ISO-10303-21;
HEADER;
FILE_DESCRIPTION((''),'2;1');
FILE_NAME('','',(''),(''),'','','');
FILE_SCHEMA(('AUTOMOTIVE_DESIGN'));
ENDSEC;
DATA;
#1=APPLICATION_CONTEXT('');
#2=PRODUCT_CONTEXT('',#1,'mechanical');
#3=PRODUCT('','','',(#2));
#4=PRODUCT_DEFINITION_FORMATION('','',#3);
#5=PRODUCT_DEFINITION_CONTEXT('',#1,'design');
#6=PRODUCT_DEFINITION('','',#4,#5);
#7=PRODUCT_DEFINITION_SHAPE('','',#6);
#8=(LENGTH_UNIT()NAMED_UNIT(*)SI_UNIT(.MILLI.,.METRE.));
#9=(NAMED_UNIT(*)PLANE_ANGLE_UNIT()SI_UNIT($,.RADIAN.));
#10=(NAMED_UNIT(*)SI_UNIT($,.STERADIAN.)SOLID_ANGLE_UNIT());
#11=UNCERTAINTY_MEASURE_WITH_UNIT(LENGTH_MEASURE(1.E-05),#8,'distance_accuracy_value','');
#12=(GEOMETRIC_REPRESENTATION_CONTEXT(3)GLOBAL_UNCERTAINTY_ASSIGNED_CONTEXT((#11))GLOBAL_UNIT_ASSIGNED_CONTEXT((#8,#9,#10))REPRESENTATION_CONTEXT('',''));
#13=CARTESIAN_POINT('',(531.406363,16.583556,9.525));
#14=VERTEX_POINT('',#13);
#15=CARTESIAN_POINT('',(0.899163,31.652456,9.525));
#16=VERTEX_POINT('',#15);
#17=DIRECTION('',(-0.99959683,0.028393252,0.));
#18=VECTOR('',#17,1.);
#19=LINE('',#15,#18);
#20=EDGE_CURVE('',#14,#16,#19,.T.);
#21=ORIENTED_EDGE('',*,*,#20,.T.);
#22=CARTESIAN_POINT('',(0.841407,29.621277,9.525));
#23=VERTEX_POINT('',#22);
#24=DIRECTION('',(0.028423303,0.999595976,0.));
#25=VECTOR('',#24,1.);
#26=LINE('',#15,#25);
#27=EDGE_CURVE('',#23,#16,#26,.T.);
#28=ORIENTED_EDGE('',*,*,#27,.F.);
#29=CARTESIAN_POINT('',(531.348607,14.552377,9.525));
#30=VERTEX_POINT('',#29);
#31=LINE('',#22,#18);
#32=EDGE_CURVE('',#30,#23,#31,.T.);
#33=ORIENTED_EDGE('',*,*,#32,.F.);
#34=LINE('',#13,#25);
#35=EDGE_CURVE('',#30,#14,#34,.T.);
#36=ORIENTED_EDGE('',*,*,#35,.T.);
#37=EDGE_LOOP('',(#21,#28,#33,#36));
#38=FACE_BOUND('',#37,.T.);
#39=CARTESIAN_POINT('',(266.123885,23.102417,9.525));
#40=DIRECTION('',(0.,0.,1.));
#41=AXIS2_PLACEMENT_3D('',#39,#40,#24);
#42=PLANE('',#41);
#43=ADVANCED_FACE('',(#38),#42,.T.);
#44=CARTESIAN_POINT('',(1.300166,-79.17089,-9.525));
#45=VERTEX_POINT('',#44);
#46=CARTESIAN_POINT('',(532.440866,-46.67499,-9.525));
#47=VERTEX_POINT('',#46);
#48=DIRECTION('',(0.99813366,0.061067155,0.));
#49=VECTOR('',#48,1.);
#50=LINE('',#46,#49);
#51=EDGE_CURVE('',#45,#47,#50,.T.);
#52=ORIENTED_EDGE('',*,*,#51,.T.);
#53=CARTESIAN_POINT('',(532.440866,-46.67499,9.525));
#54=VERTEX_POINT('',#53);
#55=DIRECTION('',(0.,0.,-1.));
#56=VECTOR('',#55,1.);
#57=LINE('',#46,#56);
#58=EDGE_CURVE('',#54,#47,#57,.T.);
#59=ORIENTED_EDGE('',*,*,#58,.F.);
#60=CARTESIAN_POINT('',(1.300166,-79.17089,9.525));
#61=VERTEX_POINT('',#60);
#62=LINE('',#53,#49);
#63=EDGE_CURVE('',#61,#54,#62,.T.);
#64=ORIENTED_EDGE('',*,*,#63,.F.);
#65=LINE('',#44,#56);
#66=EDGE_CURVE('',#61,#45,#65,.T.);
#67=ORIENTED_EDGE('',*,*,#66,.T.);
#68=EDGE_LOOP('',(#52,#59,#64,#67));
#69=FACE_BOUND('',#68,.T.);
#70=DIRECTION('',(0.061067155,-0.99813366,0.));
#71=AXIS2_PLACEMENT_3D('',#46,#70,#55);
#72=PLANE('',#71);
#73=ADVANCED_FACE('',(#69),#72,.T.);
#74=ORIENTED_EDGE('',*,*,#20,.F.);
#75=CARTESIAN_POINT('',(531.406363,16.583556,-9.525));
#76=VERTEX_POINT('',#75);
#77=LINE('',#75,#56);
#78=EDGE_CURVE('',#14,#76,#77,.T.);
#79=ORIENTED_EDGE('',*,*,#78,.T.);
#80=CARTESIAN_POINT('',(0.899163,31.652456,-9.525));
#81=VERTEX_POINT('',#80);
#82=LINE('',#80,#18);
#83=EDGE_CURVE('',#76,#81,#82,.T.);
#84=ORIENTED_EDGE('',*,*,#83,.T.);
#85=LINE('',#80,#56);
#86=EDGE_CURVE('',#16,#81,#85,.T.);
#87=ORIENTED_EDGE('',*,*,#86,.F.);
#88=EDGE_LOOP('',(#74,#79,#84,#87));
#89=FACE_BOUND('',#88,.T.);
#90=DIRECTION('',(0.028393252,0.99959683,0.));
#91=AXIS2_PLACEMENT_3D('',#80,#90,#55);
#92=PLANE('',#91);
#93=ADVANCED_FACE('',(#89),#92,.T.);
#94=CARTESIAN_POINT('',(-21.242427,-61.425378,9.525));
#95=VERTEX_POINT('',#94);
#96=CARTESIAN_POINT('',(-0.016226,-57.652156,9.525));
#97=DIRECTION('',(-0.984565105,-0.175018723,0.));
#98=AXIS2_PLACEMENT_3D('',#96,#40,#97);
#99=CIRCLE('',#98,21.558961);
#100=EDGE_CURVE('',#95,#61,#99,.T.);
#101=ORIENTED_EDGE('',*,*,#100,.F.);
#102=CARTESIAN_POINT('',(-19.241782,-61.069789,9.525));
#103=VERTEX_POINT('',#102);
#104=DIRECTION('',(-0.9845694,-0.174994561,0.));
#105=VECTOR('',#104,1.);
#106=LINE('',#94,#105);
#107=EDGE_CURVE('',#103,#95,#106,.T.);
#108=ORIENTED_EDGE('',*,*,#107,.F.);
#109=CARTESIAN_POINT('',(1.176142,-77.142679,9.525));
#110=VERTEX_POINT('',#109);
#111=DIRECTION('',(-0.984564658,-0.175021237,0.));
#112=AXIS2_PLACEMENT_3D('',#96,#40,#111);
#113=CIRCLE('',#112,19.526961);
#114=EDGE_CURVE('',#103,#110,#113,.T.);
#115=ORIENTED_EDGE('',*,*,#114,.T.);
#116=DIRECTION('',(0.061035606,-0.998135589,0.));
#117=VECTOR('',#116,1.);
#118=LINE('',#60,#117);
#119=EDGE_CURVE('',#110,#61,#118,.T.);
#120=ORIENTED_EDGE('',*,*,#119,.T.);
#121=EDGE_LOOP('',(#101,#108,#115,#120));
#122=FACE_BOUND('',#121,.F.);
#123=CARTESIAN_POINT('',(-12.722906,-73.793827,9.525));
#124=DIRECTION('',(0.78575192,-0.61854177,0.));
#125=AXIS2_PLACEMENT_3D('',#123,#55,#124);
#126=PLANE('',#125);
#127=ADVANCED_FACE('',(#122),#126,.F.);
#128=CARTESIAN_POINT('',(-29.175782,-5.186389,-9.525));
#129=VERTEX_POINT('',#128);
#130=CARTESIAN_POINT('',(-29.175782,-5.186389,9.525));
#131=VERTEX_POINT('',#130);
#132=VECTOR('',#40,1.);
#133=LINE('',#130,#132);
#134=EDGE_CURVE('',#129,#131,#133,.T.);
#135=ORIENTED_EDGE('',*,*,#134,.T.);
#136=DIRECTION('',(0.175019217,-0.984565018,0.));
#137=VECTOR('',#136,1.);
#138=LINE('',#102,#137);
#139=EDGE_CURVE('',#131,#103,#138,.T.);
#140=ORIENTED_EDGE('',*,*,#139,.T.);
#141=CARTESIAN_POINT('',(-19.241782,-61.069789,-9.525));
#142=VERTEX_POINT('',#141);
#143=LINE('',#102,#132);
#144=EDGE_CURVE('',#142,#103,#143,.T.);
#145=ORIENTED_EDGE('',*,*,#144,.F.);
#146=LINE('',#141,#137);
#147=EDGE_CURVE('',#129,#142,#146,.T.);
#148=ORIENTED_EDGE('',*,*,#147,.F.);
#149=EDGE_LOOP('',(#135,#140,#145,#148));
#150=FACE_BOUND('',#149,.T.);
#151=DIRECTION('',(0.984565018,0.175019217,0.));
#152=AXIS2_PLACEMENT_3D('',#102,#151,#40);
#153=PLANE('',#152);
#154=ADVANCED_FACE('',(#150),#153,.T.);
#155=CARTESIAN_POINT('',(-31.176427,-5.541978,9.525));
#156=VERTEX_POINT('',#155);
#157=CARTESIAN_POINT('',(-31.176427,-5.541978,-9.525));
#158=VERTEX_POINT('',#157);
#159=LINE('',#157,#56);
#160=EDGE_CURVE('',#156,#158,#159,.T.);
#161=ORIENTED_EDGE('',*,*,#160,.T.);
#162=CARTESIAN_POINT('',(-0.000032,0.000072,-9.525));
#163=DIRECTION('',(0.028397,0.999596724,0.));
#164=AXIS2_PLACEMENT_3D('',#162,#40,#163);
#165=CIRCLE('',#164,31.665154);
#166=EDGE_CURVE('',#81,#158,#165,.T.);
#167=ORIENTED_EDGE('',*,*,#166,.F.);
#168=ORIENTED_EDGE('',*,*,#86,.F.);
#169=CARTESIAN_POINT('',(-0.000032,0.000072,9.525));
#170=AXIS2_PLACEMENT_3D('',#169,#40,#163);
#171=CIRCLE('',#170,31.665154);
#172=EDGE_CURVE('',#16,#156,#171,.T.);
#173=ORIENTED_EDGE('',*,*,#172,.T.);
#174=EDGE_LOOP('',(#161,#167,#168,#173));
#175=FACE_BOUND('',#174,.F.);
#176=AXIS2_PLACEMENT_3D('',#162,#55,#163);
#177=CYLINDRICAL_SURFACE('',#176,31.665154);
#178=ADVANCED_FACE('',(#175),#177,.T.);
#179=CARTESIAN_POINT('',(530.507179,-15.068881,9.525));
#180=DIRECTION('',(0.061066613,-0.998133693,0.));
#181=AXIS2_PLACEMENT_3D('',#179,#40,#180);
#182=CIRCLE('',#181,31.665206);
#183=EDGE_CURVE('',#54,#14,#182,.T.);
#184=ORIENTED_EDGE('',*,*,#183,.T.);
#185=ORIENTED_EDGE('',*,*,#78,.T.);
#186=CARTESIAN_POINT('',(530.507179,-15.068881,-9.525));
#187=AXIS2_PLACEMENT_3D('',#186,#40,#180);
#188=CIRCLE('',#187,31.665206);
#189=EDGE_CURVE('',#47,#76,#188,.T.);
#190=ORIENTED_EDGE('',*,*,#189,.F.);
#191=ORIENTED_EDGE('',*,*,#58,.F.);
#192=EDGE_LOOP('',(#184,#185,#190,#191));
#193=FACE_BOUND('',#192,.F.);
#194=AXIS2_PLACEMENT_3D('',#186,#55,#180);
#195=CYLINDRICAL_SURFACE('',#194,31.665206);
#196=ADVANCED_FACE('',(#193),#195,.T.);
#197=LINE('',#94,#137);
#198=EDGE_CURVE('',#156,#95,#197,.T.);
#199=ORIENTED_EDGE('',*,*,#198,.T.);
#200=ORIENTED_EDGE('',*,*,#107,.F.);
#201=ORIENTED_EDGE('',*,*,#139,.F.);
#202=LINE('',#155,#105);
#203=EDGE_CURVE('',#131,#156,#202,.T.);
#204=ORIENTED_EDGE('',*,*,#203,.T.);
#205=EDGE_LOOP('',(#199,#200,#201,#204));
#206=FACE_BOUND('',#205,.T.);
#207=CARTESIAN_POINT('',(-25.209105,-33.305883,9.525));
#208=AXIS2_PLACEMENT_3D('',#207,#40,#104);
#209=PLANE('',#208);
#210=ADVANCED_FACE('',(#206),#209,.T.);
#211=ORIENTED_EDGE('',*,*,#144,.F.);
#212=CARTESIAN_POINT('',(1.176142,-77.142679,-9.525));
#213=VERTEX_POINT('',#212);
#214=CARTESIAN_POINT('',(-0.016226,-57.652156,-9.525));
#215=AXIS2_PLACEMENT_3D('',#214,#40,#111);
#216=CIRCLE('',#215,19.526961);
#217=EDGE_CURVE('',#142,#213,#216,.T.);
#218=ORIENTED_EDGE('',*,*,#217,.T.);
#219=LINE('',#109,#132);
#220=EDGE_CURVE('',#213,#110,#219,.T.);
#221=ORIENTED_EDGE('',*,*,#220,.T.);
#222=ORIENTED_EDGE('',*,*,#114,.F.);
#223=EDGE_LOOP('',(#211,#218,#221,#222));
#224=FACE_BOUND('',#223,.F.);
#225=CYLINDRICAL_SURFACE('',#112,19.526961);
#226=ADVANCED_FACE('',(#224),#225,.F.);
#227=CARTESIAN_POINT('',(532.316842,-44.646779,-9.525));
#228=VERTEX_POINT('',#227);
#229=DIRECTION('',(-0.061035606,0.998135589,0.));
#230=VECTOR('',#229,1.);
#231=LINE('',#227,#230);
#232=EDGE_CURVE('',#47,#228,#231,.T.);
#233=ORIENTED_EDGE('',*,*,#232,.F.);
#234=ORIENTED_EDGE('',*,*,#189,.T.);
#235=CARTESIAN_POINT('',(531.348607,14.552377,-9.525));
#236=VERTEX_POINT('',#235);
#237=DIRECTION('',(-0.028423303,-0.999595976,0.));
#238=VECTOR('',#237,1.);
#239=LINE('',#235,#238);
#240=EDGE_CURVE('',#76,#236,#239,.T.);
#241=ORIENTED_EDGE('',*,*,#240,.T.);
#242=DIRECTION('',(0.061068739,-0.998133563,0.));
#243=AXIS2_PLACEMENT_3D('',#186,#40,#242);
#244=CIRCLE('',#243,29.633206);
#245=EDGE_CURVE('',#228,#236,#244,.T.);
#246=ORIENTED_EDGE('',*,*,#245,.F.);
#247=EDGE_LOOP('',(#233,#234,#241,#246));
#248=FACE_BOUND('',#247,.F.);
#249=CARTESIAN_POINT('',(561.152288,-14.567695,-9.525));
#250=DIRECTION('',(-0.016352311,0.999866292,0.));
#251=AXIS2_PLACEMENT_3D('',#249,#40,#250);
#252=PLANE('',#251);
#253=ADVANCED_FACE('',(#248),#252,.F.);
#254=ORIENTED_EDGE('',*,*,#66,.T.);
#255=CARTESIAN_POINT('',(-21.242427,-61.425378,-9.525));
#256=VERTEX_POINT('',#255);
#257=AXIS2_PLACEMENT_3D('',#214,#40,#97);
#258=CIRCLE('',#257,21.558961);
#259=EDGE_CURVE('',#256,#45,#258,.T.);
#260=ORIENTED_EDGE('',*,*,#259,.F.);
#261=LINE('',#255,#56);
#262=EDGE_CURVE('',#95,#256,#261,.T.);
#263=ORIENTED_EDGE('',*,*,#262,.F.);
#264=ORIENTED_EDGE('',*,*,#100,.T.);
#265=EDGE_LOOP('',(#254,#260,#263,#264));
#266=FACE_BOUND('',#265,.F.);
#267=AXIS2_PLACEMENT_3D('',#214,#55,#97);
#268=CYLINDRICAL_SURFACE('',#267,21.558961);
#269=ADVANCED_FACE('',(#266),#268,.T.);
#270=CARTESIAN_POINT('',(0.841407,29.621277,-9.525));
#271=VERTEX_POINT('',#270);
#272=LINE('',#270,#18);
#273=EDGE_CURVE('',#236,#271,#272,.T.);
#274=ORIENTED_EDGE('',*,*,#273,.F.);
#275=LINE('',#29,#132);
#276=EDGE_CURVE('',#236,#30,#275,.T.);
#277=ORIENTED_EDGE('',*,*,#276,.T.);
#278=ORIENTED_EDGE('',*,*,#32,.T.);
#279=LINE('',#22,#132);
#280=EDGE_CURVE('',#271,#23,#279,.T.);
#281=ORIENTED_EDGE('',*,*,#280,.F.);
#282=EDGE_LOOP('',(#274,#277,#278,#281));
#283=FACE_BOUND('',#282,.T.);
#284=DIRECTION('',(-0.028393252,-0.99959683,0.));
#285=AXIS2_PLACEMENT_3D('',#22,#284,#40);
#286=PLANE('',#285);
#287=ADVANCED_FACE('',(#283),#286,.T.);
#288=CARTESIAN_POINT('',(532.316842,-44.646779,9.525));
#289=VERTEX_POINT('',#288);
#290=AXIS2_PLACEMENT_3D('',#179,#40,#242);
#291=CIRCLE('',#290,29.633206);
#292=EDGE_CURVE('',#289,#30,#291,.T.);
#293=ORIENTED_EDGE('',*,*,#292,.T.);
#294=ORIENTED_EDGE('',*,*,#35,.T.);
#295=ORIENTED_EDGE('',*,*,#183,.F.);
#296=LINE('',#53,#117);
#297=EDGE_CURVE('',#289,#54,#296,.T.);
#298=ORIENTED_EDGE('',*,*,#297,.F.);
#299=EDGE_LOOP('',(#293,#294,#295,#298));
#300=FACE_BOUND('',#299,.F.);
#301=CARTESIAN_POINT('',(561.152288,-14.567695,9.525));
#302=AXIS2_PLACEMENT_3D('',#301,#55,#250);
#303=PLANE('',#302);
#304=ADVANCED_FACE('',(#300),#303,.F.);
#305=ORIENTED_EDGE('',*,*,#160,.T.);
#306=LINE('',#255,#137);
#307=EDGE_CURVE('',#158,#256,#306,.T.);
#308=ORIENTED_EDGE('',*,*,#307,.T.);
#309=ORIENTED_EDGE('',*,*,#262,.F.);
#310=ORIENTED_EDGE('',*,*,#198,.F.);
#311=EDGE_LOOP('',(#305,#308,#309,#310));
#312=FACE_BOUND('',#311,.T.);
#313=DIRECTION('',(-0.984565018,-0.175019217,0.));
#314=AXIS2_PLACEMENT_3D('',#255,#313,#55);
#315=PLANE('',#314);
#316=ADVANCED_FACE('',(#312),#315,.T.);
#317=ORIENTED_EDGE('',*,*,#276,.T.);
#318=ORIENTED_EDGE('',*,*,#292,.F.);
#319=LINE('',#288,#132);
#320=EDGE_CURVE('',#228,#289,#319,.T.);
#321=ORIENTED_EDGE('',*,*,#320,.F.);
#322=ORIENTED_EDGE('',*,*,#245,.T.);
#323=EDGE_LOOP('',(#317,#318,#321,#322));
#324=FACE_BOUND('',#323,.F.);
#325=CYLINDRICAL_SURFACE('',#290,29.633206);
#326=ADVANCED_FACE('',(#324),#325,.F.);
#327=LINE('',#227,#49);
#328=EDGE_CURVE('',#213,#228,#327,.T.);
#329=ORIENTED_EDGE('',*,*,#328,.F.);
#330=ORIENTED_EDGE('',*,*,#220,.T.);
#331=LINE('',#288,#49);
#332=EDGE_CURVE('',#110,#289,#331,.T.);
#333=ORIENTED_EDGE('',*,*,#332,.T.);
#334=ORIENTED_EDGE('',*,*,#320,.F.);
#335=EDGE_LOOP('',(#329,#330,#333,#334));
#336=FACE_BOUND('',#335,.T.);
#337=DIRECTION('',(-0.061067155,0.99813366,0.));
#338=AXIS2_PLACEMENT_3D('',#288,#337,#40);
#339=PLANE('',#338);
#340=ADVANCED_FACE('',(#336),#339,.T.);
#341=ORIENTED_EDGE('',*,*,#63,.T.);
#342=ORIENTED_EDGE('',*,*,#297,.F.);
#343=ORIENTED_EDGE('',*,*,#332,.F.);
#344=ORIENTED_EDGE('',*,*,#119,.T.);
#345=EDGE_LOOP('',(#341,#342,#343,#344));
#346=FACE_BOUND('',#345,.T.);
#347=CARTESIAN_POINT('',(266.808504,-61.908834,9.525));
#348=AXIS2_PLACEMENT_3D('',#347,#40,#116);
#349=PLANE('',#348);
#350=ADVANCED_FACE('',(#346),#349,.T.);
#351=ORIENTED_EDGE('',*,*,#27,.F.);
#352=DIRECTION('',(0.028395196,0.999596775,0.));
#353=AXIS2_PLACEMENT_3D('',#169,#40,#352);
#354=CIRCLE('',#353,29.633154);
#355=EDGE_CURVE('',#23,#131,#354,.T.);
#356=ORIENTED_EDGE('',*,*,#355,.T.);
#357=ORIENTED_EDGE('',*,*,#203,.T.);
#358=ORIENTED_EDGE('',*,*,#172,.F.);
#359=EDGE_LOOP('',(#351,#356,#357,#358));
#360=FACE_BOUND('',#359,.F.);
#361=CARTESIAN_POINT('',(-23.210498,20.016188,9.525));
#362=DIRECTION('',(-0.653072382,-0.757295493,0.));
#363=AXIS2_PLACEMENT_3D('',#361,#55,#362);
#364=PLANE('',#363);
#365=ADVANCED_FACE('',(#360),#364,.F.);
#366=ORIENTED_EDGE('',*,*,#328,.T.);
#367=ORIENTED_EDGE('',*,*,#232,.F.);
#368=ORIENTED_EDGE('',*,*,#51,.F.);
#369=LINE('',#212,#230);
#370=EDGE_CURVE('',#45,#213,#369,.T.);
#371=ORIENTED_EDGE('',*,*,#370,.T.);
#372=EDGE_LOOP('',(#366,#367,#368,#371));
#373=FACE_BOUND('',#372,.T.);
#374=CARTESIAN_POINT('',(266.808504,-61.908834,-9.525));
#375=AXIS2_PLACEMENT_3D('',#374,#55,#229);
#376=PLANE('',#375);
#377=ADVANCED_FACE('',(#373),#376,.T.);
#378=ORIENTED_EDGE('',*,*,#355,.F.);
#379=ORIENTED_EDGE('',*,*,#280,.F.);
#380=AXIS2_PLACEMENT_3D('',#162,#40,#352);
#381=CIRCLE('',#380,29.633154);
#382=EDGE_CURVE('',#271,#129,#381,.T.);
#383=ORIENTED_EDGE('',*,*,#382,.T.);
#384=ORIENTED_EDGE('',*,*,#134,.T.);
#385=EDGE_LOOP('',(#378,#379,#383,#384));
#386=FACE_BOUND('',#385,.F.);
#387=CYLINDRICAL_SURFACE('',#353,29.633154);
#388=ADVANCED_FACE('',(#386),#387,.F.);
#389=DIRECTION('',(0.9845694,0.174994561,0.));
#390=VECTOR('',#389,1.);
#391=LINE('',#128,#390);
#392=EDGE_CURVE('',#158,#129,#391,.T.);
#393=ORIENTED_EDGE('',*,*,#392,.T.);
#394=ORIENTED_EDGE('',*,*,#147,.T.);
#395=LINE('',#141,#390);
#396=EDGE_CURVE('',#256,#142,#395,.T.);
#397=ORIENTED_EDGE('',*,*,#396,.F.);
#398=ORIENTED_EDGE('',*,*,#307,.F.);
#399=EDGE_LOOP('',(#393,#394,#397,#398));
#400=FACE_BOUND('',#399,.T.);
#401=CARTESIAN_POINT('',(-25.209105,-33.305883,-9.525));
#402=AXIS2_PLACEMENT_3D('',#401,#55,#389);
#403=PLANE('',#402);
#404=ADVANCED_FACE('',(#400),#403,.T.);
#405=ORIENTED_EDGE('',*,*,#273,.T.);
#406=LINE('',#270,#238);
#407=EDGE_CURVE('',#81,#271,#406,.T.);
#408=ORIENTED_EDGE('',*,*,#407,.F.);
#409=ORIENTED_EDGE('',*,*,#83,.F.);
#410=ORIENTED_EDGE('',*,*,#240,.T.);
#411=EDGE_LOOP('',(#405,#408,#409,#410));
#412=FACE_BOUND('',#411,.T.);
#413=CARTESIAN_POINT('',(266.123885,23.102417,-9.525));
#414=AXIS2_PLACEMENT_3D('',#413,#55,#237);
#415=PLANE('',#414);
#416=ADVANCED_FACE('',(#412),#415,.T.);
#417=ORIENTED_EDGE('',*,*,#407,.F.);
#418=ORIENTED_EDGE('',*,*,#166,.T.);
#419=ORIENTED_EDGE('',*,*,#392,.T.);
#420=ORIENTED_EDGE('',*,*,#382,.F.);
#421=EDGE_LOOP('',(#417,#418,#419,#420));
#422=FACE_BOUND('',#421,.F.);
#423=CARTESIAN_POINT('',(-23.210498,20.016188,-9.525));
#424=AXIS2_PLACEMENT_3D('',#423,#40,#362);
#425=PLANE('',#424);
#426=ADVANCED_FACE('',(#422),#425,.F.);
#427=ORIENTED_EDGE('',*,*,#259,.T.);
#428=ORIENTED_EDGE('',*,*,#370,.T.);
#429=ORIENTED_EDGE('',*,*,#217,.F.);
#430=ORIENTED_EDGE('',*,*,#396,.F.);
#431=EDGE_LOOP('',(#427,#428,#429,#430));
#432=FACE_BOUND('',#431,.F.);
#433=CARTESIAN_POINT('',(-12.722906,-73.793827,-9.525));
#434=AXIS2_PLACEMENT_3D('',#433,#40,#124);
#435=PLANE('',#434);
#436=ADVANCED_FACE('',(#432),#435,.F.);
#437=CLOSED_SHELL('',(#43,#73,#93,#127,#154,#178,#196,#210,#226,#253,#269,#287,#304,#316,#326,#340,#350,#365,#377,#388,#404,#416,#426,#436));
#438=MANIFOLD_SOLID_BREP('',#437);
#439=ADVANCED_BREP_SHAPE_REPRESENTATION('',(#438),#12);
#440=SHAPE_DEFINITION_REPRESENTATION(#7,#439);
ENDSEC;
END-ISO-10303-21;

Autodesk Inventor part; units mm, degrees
sketch "草图路径" plane through (0, 0, 0) normal (0, 0, 1) x (1, 0, 0)
  arc A0 (0.8609, 30.3068) -> (-29.851, -5.3064) centre (0, 0) ccw
  arc A1 (532.3587, -45.3313) -> (531.3681, 15.2379) centre (530.5072, -15.0689) ccw
  arc A2 (-19.917, -61.1898) -> (1.218, -77.8272) centre (-0.0163, -57.6522) ccw
  line L0 (-19.917, -61.1898) -> (-29.851, -5.3064)
  line L1 (0.8609, 30.3068) -> (531.3681, 15.2379)
  line L2 (532.3587, -45.3313) -> (1.218, -77.8272)
ref_plane "截面平面" through (-29.851, -5.3064, 0) normal (0.175, -0.9846, 0) x (0, 0, 1)
ref_plane "工作平面2" through (0, 0, 0) normal (-1, 0, 0) x (0, 0, 1)
ref_plane "工作平面3" through (530.5072, -15.0689, 0) normal (-0.9961, 0.0882, 0) x (0, 0, 1)
ref_plane "工作平面4" through (-0.0163, -57.6522, 0) normal (0.8578, -0.514, 0) x (0, 0, 1)
sketch "截面" plane through (-29.851, -5.3064, 0) normal (0.175, -0.9846, 0) x (0, 0, 1)
  line L0 (-9.525, 1.3462) -> (9.525, 1.3462)
  line L1 (9.525, 1.3462) -> (9.525, -0.6858)
  line L2 (9.525, -0.6858) -> (-9.525, -0.6858)
  line L3 (-9.525, -0.6858) -> (-9.525, 1.3462)
  line L4 (-9.525, 0) -> (9.525, 0) construction
  point P0 (0, 0)
  point P1 (0, 0)
  dimension "d0" = 19.05
  dimension "d4" = 0.6858
  dimension "d5" = 1.3462
sweep "皮带" add profiles "截面" path "草图路径"
equation "\"d0\" = da_B"
equation "\"d4\" = da_a"
equation "\"d5\" = da_a2"
equation "\"da_B\" = 19.05"
equation "\"da_pb\" = 12.7"
equation "\"da_L\" = 1295.4"
equation "\"da_a\" = 0.6858"
equation "\"da_S\" = 6.1214"
equation "\"da_Beta\" = 20deg"
equation "\"da_Ht\" = 2.286"
equation "\"da_H\" = 4.318"
equation "\"da_a2\" = 1.3462"
properties part number "同步皮带" material "Rubber"
